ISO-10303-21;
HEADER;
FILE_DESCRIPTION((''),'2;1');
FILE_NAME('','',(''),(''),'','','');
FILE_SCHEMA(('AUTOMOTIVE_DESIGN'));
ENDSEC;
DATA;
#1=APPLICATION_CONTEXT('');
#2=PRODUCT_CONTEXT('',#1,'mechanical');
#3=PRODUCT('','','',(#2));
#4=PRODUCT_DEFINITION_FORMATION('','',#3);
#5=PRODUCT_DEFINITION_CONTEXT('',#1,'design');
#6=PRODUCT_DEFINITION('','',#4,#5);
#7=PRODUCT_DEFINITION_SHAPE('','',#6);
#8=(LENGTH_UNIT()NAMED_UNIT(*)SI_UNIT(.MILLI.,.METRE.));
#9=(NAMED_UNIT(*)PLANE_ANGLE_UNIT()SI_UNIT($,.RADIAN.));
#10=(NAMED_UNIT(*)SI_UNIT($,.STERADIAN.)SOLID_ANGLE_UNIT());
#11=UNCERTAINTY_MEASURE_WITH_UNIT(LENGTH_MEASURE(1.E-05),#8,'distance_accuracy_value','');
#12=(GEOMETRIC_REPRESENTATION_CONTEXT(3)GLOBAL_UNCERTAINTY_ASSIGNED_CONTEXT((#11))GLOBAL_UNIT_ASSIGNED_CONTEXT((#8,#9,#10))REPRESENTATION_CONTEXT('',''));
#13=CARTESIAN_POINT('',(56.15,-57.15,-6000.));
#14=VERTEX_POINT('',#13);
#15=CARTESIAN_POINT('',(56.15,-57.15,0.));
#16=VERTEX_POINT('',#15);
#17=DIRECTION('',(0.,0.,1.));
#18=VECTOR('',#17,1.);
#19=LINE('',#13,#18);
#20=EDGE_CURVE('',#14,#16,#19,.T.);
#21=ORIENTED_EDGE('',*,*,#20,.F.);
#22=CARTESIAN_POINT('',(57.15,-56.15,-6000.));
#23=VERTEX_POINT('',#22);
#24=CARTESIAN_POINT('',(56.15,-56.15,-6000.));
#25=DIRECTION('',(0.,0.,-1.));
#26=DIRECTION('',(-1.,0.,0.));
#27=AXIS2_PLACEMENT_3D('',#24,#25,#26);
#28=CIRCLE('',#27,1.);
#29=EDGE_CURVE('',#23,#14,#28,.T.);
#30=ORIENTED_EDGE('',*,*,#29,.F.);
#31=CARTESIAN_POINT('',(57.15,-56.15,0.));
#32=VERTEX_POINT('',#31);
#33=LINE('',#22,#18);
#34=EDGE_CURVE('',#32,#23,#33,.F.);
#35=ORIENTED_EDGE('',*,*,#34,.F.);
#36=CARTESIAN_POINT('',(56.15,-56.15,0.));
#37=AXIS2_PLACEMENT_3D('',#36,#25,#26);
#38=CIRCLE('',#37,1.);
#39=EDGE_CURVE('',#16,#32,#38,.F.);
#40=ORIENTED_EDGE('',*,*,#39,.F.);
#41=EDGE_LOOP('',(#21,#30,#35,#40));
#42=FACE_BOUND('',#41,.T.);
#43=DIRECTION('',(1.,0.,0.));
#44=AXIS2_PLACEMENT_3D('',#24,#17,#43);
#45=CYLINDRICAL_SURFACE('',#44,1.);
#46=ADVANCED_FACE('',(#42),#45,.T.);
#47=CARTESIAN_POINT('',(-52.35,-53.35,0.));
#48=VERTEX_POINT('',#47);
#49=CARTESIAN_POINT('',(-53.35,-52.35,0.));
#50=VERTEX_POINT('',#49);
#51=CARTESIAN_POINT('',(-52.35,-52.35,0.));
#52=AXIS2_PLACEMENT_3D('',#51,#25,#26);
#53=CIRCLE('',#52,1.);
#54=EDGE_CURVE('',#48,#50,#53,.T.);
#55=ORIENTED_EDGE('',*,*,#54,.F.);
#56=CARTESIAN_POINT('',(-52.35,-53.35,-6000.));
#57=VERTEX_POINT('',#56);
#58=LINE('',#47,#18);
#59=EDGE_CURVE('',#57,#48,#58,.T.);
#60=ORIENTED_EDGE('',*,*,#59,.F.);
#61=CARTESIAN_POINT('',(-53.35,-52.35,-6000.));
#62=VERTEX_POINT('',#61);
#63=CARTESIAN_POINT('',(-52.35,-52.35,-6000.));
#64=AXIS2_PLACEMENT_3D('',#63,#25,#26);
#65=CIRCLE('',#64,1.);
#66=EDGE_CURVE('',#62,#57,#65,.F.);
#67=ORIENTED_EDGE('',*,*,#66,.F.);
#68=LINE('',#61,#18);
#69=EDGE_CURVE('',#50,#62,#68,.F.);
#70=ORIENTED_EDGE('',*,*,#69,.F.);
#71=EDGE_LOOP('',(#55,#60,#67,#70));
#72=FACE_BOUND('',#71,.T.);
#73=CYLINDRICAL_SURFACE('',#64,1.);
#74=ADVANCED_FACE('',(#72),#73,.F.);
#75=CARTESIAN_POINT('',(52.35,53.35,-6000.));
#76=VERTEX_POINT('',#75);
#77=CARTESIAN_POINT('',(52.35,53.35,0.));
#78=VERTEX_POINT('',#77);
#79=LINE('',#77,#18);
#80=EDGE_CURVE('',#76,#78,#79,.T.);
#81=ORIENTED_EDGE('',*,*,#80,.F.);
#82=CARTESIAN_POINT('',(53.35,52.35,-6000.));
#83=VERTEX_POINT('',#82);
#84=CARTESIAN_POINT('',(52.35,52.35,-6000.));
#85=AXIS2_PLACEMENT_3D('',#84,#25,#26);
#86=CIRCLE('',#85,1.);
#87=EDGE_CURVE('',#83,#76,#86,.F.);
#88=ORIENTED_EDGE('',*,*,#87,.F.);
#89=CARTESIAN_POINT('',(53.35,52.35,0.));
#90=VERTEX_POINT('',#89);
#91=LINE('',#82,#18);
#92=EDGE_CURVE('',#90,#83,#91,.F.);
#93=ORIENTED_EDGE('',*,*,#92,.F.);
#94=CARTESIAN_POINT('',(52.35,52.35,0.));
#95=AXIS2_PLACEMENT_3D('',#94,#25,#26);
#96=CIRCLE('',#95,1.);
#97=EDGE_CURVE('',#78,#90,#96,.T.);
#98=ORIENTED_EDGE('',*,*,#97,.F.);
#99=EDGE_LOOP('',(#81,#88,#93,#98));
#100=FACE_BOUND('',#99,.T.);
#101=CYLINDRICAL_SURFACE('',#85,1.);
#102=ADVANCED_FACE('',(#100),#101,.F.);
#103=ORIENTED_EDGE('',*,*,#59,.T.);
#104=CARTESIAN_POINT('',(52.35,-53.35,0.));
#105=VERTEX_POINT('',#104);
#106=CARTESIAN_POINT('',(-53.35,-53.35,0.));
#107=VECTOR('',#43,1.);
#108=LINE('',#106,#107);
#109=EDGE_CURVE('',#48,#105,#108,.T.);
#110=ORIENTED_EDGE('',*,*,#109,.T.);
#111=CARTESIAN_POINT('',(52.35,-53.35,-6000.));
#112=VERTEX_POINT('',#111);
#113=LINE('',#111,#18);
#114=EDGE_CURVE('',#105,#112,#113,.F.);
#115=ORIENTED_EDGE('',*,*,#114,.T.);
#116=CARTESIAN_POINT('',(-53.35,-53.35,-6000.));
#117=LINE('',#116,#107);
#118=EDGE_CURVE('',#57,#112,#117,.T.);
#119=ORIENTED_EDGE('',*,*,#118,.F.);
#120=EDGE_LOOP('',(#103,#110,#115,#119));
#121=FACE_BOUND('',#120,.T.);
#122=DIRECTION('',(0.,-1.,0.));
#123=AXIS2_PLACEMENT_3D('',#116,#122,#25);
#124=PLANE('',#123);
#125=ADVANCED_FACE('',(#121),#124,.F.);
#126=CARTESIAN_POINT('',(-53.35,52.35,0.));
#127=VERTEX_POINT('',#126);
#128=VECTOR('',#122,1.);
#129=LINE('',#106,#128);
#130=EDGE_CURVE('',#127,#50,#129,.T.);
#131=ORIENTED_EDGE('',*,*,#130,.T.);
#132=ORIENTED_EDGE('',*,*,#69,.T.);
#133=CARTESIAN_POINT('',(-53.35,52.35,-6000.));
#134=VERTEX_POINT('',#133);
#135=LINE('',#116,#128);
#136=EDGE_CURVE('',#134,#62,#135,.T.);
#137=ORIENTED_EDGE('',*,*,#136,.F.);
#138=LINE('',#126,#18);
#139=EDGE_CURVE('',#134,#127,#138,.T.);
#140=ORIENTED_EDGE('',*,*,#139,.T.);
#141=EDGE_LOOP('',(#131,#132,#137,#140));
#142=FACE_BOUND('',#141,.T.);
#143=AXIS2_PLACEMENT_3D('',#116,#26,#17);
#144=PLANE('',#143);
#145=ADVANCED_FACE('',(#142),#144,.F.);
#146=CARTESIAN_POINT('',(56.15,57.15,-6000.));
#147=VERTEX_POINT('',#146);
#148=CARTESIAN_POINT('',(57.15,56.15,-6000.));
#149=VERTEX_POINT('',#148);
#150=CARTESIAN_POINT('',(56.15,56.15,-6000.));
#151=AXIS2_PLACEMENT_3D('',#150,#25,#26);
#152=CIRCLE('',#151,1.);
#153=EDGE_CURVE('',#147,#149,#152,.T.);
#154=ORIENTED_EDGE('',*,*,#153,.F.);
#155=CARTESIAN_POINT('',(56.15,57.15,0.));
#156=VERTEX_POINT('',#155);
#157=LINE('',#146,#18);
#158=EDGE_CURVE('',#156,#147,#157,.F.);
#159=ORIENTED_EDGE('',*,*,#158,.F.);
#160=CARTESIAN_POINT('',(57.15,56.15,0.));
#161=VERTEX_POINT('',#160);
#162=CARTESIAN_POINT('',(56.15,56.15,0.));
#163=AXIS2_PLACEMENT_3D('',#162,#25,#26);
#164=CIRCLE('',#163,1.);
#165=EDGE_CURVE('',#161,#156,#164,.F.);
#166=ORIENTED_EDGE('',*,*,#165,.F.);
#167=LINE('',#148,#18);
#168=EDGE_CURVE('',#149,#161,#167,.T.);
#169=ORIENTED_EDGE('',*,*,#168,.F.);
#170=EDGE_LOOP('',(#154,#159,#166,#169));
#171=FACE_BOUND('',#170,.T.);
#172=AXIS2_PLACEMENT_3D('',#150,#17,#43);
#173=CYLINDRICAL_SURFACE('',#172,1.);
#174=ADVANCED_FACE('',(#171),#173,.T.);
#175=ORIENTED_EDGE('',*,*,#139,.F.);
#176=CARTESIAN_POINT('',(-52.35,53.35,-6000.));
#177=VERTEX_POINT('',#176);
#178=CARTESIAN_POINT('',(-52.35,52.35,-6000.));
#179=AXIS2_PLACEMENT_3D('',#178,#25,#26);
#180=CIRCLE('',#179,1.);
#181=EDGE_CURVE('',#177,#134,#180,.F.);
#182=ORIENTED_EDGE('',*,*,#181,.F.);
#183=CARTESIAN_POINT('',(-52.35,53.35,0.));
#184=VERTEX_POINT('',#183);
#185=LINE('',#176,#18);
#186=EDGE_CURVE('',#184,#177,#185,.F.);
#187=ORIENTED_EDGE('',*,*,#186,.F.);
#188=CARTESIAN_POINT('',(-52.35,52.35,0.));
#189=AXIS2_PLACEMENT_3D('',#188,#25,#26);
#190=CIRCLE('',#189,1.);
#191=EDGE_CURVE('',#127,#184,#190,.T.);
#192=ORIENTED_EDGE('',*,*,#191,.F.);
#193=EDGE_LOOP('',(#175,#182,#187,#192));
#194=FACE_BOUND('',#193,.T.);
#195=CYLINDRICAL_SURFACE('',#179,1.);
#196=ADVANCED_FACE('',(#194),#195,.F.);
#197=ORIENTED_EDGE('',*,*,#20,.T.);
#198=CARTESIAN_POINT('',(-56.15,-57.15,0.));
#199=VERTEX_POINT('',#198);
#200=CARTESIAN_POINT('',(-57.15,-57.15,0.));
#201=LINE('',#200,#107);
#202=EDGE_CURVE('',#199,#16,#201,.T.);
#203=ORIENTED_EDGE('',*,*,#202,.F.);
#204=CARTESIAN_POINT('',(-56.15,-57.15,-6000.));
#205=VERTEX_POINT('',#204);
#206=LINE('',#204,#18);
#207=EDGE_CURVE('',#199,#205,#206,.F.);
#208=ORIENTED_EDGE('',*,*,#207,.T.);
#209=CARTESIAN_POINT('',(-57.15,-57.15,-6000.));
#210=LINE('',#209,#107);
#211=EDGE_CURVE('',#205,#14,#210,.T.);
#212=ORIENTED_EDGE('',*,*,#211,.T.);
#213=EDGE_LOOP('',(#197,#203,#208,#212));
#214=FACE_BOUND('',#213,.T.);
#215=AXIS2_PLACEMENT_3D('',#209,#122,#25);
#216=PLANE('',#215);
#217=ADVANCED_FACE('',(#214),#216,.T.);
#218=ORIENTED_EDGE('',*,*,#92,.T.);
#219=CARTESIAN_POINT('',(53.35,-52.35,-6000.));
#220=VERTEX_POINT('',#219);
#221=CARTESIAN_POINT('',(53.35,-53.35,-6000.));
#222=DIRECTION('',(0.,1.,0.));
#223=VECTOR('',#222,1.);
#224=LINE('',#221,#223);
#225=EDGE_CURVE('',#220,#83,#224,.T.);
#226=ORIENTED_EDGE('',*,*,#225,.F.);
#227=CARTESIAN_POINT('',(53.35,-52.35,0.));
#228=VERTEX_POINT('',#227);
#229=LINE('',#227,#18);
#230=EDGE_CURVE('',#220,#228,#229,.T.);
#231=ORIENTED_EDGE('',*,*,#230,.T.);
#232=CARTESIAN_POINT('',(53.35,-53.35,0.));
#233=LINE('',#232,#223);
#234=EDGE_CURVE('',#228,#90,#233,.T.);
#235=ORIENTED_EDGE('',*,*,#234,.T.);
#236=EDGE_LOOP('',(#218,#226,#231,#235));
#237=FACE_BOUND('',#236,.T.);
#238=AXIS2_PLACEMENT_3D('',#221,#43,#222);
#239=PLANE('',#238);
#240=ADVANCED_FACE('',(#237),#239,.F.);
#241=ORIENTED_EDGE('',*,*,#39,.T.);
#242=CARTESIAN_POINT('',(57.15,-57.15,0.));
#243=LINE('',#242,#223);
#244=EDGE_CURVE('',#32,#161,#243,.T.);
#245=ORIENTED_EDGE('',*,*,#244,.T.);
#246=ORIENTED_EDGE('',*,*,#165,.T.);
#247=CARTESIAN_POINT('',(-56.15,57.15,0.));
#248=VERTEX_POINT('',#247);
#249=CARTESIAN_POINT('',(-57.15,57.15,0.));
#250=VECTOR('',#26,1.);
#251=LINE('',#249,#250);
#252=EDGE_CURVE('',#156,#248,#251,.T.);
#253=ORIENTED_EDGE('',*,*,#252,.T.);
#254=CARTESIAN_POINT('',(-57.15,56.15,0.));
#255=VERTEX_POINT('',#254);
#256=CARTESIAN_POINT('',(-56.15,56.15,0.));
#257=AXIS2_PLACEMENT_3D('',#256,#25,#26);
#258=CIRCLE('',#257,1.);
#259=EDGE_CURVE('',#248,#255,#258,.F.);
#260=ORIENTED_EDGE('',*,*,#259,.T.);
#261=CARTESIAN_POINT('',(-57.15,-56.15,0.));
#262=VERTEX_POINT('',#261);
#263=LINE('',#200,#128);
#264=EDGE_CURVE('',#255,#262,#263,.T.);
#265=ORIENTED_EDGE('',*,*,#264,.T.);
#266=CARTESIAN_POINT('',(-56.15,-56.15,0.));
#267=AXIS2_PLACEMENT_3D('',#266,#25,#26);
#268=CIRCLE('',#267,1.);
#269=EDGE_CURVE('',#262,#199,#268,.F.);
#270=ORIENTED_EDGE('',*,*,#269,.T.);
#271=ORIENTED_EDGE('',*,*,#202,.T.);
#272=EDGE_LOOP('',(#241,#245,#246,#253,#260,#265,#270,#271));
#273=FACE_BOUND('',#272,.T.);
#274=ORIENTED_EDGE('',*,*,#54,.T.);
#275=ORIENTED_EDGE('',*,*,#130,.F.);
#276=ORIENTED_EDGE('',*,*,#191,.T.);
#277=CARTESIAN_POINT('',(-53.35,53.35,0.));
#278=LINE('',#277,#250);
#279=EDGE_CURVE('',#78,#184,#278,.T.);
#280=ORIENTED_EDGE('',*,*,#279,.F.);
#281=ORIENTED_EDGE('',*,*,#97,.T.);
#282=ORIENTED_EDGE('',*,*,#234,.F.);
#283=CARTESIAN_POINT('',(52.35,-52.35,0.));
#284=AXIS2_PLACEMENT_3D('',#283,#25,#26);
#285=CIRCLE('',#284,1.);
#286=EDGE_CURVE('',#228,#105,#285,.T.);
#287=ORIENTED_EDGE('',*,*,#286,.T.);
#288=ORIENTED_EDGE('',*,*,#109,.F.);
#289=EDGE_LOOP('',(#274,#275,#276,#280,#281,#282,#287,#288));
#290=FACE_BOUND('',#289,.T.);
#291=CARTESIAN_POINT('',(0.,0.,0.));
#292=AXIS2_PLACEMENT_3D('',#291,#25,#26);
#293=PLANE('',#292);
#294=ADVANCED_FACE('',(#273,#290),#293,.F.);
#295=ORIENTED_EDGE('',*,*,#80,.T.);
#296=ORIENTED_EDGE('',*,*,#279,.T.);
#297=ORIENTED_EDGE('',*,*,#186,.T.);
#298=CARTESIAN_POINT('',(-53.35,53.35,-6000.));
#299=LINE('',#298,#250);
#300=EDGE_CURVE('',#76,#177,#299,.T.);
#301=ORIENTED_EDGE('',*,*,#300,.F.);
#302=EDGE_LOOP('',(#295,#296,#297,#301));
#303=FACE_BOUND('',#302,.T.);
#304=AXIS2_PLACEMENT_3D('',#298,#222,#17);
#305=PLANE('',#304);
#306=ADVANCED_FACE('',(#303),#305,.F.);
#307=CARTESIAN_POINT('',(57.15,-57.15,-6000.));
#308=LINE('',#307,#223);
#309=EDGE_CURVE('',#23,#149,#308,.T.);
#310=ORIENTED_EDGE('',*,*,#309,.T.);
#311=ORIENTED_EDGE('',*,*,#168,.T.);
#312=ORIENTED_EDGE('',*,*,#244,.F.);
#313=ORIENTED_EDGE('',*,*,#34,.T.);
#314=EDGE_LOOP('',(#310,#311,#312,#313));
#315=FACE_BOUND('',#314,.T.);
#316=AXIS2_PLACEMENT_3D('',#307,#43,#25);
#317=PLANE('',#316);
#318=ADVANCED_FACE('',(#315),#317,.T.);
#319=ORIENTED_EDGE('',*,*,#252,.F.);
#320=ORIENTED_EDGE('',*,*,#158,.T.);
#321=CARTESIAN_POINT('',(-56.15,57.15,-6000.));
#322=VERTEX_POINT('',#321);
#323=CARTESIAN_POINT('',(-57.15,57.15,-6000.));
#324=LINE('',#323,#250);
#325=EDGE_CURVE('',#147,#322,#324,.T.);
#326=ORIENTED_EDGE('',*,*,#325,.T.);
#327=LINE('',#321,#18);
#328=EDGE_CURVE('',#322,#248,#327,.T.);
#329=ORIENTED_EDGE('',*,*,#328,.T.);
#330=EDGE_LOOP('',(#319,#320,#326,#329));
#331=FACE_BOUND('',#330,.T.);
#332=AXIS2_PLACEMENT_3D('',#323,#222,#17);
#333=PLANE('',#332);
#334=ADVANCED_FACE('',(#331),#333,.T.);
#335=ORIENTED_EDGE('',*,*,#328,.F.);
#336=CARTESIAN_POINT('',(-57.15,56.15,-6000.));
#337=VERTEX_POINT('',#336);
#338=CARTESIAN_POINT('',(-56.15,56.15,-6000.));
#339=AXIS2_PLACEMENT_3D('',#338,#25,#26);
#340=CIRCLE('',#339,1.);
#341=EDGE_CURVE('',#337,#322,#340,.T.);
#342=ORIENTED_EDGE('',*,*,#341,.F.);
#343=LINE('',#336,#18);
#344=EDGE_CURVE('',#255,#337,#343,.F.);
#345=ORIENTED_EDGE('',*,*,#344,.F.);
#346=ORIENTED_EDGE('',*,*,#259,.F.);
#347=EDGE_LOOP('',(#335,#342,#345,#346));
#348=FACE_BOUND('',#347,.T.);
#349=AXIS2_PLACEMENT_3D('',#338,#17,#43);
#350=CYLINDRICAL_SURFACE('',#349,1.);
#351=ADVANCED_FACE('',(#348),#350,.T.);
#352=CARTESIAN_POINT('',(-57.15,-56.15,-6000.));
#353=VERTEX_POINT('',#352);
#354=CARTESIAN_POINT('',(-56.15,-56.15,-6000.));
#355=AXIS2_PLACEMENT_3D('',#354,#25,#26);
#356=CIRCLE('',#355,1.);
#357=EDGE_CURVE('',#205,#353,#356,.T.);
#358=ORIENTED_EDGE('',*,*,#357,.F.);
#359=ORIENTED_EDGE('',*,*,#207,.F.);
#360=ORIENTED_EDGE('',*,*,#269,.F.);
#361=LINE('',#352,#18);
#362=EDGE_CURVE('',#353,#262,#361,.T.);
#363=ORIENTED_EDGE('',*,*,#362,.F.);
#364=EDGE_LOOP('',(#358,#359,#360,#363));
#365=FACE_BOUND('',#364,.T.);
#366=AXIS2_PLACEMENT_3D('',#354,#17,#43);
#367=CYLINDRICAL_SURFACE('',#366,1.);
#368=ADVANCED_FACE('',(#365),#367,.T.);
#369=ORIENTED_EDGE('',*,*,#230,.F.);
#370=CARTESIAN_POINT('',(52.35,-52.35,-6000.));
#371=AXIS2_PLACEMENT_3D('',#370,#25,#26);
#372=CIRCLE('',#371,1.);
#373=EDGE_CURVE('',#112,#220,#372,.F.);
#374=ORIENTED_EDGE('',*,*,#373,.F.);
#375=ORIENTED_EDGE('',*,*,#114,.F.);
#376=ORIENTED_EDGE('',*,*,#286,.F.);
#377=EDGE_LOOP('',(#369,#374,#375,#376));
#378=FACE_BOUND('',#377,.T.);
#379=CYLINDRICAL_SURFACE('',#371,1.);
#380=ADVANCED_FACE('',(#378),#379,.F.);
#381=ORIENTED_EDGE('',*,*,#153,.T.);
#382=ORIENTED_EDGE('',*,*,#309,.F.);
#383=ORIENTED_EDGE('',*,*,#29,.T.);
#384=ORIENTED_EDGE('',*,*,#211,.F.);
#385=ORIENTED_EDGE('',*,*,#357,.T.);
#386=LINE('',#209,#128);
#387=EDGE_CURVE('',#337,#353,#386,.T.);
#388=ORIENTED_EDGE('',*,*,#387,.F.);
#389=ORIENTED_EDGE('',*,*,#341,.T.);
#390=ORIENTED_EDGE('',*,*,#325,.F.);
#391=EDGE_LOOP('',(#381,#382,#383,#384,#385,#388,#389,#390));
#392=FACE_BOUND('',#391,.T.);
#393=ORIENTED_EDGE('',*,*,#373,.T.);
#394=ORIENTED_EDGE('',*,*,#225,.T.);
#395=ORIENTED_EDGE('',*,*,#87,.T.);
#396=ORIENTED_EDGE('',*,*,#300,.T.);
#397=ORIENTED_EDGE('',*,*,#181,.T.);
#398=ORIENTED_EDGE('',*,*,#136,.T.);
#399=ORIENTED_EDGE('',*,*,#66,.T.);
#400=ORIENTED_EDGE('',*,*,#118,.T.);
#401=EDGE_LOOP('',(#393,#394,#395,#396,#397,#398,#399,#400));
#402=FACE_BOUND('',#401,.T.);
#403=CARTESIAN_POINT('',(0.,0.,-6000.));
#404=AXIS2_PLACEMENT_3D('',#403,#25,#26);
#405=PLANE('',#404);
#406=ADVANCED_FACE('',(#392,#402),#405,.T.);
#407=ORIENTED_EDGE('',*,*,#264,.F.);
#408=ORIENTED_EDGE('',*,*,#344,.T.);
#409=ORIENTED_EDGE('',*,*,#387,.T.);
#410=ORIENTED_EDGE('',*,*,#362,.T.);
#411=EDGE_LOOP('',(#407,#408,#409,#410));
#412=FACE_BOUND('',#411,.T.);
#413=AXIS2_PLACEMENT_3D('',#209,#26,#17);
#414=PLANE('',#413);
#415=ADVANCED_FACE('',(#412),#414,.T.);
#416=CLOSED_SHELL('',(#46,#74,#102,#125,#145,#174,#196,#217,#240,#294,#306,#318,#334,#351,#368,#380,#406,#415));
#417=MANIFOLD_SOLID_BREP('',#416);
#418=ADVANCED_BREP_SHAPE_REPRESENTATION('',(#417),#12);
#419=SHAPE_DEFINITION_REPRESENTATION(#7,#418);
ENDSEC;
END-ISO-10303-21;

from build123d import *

# Parameters (mm, degrees)
CROQUIS1_W              = 114.3
CROQUIS1_H              = 114.3
CROQUIS1_W_2            = 106.7
CROQUIS1_H_2            = 106.7
SALIENTE_EXTRUIR1_DEPTH = 6000
REDONDEO1_R             = 1


with BuildPart() as part:
    # Croquis1 → Saliente-Extruir1 (new body)
    with BuildSketch(Plane.XY):
        Rectangle(CROQUIS1_W, CROQUIS1_H)
        Rectangle(CROQUIS1_W_2, CROQUIS1_H_2, mode=Mode.SUBTRACT)
    extrude(amount=-SALIENTE_EXTRUIR1_DEPTH)

    # Redondeo1
    redondeo1_edges = [part.edges().sort_by_distance(p)[0] for p in [
        (53.35, -53.35, -3000),
        (-53.35, -53.35, -3000),
        (-53.35, 53.35, -3000),
        (53.35, 53.35, -3000),
        (57.15, -57.15, -3000),
        (-57.15, -57.15, -3000),
        (-57.15, 57.15, -3000),
        (57.15, 57.15, -3000),
    ]]
    fillet(redondeo1_edges, radius=REDONDEO1_R)


solid = part.part
